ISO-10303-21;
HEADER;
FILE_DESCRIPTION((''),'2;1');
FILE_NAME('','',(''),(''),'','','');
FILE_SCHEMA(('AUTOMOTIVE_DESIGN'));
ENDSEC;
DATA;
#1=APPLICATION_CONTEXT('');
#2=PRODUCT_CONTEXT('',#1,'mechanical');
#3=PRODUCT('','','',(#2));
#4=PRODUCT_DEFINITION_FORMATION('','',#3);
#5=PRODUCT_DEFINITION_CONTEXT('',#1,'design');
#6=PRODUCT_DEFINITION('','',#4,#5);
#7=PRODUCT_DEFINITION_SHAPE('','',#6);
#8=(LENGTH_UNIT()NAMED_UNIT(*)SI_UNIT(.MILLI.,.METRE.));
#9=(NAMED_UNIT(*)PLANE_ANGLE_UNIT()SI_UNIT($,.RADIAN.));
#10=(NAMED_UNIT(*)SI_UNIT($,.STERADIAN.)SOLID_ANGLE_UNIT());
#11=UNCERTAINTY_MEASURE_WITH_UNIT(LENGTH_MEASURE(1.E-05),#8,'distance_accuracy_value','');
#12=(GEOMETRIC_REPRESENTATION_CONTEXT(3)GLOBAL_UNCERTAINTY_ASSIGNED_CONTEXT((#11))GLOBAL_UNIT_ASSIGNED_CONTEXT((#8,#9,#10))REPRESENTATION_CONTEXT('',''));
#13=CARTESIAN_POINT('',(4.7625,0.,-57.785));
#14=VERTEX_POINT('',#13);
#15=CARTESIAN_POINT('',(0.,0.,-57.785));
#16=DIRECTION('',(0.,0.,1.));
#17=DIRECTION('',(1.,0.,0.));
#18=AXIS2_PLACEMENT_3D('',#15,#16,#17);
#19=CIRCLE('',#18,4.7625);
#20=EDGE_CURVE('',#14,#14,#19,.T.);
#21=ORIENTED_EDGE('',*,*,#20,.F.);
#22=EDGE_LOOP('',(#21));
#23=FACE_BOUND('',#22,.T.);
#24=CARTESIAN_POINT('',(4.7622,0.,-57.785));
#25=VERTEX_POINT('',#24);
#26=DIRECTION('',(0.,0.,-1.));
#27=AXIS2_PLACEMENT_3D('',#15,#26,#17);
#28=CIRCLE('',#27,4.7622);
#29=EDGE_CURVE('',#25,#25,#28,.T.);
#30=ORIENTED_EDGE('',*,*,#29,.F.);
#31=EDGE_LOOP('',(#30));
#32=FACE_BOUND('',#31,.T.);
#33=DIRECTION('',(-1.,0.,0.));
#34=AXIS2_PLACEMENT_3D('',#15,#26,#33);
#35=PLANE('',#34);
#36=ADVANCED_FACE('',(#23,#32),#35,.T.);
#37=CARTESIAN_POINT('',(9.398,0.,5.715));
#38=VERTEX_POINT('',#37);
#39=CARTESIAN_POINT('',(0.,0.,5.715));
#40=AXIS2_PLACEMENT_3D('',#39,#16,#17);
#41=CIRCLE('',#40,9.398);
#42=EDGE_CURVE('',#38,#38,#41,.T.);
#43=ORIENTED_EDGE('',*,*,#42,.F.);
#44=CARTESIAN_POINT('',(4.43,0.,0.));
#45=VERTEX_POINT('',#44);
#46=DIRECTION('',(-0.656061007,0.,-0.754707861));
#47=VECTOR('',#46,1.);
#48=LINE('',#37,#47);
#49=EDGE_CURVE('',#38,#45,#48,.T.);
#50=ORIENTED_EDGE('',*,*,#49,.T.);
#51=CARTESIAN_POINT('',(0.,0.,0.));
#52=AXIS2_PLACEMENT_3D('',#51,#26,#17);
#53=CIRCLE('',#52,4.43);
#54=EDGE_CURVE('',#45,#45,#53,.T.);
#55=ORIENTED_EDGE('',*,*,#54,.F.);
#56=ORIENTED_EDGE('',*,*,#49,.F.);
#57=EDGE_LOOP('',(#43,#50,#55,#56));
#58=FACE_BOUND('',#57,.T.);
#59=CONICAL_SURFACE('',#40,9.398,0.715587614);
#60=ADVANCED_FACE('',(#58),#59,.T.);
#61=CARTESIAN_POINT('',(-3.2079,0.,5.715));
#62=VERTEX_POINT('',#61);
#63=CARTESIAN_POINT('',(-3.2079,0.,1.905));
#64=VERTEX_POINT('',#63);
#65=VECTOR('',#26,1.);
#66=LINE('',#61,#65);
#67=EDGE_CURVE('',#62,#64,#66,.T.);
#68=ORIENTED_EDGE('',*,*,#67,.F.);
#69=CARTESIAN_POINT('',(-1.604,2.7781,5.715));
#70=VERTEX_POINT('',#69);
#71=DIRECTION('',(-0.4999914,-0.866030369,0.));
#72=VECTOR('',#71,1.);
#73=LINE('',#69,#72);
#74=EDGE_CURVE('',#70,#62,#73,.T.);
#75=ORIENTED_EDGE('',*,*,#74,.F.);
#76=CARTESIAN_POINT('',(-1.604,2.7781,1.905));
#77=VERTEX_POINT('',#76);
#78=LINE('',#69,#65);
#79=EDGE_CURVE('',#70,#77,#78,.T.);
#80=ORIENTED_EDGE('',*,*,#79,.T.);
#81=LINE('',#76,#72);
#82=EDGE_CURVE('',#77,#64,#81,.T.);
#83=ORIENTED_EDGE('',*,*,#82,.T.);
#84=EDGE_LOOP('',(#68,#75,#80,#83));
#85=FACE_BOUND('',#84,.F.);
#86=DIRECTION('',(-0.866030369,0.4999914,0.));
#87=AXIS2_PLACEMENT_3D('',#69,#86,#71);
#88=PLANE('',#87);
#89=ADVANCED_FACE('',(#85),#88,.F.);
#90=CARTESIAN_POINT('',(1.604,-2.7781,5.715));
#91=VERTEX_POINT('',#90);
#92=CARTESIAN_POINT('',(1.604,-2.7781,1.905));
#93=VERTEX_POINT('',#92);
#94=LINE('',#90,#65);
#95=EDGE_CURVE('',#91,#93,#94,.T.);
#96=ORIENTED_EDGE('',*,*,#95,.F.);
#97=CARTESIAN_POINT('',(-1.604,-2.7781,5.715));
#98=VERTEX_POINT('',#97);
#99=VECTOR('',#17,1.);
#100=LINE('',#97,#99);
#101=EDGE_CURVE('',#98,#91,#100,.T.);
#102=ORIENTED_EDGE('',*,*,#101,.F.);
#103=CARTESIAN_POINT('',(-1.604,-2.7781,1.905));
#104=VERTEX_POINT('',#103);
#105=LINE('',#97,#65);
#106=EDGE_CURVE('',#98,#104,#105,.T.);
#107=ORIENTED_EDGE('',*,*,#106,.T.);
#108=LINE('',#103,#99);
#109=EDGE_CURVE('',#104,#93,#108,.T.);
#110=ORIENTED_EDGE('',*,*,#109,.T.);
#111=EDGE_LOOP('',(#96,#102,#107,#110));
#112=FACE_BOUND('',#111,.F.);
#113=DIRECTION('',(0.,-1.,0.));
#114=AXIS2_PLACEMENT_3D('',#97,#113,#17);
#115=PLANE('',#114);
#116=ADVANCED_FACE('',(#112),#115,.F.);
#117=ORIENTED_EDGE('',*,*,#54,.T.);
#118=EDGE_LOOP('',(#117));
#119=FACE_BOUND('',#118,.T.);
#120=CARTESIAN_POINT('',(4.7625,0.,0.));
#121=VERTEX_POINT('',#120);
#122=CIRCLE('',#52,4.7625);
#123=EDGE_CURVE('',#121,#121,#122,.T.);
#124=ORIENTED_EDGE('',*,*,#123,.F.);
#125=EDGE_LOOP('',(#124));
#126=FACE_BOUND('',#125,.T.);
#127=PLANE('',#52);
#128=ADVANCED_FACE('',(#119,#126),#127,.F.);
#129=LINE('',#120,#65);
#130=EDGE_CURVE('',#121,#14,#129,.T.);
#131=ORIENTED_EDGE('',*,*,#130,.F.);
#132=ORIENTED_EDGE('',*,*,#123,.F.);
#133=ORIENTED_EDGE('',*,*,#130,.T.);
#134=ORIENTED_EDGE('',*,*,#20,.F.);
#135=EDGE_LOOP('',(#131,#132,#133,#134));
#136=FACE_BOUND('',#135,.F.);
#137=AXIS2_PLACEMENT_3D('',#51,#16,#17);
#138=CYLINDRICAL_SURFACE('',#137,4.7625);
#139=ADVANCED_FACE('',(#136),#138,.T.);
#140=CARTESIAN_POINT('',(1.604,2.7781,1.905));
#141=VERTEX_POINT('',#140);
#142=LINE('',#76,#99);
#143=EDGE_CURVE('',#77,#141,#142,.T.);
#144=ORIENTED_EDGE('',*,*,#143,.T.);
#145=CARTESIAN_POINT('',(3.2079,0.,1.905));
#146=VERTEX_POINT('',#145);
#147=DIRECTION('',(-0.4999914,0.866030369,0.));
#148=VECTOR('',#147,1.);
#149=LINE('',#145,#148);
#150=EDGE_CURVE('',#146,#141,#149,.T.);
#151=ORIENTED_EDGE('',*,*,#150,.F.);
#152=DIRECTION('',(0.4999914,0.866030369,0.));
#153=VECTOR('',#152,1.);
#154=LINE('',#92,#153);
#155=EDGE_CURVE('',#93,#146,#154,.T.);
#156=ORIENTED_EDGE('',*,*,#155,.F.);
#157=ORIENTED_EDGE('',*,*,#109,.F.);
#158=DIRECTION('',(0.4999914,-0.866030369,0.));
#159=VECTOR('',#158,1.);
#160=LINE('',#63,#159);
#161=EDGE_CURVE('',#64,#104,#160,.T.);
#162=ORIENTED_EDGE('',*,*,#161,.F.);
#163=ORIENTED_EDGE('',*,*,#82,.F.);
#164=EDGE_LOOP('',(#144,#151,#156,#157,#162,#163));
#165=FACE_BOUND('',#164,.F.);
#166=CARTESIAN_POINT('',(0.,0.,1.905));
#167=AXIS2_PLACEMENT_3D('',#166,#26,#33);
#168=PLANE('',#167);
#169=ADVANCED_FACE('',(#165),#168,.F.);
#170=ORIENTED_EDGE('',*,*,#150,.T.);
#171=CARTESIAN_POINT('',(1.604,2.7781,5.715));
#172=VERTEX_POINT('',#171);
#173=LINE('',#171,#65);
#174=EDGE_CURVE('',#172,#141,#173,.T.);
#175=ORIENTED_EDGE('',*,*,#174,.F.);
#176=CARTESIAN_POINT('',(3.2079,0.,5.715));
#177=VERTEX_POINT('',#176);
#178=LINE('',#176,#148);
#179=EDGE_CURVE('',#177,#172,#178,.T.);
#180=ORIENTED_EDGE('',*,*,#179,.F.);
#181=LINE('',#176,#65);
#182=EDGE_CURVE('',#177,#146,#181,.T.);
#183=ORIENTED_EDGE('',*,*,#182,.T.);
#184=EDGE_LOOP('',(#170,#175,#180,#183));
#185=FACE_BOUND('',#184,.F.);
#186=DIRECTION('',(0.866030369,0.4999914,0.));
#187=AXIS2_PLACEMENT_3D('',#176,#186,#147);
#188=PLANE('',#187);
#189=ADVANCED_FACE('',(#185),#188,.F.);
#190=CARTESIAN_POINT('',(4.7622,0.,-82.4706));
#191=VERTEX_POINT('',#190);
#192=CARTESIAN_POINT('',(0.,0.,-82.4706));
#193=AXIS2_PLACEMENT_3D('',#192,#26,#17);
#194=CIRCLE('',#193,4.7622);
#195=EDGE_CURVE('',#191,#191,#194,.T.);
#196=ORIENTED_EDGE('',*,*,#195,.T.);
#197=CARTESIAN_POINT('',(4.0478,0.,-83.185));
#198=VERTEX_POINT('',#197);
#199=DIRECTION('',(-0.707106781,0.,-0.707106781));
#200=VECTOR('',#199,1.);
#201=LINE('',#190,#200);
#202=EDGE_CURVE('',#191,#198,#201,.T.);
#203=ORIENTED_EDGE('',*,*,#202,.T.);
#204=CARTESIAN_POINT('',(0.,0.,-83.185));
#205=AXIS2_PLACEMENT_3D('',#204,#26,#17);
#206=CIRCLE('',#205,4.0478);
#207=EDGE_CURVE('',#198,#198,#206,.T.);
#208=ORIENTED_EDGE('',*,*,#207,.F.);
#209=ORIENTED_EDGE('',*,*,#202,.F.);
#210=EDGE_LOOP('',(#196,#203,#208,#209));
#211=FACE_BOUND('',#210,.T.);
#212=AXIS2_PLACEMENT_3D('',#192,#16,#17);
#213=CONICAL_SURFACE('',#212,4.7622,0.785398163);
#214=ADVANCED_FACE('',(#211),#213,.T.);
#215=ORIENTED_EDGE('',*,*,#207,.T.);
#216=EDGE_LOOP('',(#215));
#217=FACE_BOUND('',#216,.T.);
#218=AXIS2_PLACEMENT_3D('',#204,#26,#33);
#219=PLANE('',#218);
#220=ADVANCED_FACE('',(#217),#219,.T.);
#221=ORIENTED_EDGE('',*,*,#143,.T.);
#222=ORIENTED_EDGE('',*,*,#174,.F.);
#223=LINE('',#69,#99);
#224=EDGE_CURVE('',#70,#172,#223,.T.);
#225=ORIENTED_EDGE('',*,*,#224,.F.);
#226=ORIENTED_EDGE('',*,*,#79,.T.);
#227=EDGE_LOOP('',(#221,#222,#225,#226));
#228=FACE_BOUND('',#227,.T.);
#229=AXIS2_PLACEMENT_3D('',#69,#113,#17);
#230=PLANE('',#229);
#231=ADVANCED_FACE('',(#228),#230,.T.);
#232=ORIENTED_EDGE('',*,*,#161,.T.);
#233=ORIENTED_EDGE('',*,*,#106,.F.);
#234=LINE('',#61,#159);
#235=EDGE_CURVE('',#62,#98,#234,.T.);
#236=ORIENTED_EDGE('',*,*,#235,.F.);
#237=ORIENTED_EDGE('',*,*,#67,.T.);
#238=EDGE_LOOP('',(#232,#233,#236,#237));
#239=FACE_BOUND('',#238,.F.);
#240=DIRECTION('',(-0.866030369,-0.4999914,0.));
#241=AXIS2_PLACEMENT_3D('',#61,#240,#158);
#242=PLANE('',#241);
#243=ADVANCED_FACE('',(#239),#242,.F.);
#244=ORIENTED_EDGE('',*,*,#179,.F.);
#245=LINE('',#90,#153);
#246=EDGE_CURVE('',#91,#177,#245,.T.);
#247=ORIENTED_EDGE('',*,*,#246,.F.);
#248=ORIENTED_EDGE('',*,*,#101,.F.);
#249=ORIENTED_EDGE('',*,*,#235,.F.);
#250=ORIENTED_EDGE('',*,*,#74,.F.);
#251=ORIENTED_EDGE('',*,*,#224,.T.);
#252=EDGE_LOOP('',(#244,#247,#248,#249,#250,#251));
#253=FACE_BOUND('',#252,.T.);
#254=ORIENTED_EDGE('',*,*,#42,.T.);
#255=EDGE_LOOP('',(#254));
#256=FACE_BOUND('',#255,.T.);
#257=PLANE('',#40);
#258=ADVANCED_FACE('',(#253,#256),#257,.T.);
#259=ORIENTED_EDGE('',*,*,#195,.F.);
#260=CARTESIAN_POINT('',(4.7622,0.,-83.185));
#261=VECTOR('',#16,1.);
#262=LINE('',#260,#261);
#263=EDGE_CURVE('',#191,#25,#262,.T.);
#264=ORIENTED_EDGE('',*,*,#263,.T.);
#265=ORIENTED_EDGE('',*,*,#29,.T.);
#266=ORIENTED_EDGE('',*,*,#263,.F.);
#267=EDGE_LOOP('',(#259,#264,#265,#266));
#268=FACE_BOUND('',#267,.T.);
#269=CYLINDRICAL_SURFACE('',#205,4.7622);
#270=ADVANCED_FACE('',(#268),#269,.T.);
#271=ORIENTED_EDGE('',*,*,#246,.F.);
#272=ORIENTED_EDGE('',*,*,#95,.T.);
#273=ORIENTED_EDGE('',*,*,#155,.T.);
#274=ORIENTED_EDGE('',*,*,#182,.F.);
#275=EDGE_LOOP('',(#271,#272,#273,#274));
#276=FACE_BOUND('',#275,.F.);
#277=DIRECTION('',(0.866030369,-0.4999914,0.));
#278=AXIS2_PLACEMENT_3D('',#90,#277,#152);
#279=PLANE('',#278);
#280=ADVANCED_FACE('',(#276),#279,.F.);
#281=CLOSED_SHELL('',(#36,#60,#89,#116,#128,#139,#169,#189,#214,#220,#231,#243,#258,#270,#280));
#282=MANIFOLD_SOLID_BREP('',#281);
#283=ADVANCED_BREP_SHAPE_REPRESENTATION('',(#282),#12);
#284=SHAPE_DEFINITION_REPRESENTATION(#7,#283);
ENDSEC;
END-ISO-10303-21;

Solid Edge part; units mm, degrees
sketch "Sketch1" plane through (0, 0, 0) normal (0, 0, 1) x (1, 0, 0)
  circle A0 centre (0, 0) radius 9.398
  dimension "D1" = 18.796
extrude "Protrusion1" add sketch "Sketch1" along normal blind 5.715
sketch "Sketch2" plane through (0, 0, 0) normal (0, 0, -1) x (1, 0, 0)
  circle A0 centre (0, 0) radius 4.7625
extrude "Protrusion2" add sketch "Sketch2" along normal blind 83.185
sketch "Sketch3" plane through (0, 0, -83.185) normal (0, 0, -1) x (1, 0, 0)
  circle A0 centre (0, 0) radius 4.7622
extrude "Cutout1" cut sketch "Sketch3" against normal blind 25.4 flip side to cut
chamfer "Chamfer_1" distance 0.7144 angle 45 1 edges at (-4.7622, 0, -83.185)
sketch "Sketch4" plane through (0, 0, 5.715) normal (0, 0, 1) x (1, 0, 0)
  line L0 (-1.604, 2.7781) -> (1.604, 2.7781)
  line L1 (3.2079, 0) -> (1.604, 2.7781)
  line L2 (1.604, -2.7781) -> (3.2079, 0)
  line L3 (-1.604, -2.7781) -> (1.604, -2.7781)
  line L4 (-3.2079, 0) -> (-1.604, -2.7781)
  line L5 (-1.604, 2.7781) -> (-3.2079, 0)
  dimension "D1" = 5.5562
extrude "Cutout2" cut sketch "Sketch4" against normal blind 3.81
sketch "Sketch5" plane through (0, 0, 0) normal (0, -1, 0) x (1, 0, 0)
  line L0 (9.398, 5.715) -> (4.43, 0)
  line L1 (4.43, 0) -> (9.398, 0)
  line L2 (9.398, 0) -> (9.398, 5.715)
revolve "RevolvedCutout1" cut sketch "Sketch5" angle 360 about axis through (0, 0, 14.0017) along (0, 0, -1)
properties part number "24105205"
